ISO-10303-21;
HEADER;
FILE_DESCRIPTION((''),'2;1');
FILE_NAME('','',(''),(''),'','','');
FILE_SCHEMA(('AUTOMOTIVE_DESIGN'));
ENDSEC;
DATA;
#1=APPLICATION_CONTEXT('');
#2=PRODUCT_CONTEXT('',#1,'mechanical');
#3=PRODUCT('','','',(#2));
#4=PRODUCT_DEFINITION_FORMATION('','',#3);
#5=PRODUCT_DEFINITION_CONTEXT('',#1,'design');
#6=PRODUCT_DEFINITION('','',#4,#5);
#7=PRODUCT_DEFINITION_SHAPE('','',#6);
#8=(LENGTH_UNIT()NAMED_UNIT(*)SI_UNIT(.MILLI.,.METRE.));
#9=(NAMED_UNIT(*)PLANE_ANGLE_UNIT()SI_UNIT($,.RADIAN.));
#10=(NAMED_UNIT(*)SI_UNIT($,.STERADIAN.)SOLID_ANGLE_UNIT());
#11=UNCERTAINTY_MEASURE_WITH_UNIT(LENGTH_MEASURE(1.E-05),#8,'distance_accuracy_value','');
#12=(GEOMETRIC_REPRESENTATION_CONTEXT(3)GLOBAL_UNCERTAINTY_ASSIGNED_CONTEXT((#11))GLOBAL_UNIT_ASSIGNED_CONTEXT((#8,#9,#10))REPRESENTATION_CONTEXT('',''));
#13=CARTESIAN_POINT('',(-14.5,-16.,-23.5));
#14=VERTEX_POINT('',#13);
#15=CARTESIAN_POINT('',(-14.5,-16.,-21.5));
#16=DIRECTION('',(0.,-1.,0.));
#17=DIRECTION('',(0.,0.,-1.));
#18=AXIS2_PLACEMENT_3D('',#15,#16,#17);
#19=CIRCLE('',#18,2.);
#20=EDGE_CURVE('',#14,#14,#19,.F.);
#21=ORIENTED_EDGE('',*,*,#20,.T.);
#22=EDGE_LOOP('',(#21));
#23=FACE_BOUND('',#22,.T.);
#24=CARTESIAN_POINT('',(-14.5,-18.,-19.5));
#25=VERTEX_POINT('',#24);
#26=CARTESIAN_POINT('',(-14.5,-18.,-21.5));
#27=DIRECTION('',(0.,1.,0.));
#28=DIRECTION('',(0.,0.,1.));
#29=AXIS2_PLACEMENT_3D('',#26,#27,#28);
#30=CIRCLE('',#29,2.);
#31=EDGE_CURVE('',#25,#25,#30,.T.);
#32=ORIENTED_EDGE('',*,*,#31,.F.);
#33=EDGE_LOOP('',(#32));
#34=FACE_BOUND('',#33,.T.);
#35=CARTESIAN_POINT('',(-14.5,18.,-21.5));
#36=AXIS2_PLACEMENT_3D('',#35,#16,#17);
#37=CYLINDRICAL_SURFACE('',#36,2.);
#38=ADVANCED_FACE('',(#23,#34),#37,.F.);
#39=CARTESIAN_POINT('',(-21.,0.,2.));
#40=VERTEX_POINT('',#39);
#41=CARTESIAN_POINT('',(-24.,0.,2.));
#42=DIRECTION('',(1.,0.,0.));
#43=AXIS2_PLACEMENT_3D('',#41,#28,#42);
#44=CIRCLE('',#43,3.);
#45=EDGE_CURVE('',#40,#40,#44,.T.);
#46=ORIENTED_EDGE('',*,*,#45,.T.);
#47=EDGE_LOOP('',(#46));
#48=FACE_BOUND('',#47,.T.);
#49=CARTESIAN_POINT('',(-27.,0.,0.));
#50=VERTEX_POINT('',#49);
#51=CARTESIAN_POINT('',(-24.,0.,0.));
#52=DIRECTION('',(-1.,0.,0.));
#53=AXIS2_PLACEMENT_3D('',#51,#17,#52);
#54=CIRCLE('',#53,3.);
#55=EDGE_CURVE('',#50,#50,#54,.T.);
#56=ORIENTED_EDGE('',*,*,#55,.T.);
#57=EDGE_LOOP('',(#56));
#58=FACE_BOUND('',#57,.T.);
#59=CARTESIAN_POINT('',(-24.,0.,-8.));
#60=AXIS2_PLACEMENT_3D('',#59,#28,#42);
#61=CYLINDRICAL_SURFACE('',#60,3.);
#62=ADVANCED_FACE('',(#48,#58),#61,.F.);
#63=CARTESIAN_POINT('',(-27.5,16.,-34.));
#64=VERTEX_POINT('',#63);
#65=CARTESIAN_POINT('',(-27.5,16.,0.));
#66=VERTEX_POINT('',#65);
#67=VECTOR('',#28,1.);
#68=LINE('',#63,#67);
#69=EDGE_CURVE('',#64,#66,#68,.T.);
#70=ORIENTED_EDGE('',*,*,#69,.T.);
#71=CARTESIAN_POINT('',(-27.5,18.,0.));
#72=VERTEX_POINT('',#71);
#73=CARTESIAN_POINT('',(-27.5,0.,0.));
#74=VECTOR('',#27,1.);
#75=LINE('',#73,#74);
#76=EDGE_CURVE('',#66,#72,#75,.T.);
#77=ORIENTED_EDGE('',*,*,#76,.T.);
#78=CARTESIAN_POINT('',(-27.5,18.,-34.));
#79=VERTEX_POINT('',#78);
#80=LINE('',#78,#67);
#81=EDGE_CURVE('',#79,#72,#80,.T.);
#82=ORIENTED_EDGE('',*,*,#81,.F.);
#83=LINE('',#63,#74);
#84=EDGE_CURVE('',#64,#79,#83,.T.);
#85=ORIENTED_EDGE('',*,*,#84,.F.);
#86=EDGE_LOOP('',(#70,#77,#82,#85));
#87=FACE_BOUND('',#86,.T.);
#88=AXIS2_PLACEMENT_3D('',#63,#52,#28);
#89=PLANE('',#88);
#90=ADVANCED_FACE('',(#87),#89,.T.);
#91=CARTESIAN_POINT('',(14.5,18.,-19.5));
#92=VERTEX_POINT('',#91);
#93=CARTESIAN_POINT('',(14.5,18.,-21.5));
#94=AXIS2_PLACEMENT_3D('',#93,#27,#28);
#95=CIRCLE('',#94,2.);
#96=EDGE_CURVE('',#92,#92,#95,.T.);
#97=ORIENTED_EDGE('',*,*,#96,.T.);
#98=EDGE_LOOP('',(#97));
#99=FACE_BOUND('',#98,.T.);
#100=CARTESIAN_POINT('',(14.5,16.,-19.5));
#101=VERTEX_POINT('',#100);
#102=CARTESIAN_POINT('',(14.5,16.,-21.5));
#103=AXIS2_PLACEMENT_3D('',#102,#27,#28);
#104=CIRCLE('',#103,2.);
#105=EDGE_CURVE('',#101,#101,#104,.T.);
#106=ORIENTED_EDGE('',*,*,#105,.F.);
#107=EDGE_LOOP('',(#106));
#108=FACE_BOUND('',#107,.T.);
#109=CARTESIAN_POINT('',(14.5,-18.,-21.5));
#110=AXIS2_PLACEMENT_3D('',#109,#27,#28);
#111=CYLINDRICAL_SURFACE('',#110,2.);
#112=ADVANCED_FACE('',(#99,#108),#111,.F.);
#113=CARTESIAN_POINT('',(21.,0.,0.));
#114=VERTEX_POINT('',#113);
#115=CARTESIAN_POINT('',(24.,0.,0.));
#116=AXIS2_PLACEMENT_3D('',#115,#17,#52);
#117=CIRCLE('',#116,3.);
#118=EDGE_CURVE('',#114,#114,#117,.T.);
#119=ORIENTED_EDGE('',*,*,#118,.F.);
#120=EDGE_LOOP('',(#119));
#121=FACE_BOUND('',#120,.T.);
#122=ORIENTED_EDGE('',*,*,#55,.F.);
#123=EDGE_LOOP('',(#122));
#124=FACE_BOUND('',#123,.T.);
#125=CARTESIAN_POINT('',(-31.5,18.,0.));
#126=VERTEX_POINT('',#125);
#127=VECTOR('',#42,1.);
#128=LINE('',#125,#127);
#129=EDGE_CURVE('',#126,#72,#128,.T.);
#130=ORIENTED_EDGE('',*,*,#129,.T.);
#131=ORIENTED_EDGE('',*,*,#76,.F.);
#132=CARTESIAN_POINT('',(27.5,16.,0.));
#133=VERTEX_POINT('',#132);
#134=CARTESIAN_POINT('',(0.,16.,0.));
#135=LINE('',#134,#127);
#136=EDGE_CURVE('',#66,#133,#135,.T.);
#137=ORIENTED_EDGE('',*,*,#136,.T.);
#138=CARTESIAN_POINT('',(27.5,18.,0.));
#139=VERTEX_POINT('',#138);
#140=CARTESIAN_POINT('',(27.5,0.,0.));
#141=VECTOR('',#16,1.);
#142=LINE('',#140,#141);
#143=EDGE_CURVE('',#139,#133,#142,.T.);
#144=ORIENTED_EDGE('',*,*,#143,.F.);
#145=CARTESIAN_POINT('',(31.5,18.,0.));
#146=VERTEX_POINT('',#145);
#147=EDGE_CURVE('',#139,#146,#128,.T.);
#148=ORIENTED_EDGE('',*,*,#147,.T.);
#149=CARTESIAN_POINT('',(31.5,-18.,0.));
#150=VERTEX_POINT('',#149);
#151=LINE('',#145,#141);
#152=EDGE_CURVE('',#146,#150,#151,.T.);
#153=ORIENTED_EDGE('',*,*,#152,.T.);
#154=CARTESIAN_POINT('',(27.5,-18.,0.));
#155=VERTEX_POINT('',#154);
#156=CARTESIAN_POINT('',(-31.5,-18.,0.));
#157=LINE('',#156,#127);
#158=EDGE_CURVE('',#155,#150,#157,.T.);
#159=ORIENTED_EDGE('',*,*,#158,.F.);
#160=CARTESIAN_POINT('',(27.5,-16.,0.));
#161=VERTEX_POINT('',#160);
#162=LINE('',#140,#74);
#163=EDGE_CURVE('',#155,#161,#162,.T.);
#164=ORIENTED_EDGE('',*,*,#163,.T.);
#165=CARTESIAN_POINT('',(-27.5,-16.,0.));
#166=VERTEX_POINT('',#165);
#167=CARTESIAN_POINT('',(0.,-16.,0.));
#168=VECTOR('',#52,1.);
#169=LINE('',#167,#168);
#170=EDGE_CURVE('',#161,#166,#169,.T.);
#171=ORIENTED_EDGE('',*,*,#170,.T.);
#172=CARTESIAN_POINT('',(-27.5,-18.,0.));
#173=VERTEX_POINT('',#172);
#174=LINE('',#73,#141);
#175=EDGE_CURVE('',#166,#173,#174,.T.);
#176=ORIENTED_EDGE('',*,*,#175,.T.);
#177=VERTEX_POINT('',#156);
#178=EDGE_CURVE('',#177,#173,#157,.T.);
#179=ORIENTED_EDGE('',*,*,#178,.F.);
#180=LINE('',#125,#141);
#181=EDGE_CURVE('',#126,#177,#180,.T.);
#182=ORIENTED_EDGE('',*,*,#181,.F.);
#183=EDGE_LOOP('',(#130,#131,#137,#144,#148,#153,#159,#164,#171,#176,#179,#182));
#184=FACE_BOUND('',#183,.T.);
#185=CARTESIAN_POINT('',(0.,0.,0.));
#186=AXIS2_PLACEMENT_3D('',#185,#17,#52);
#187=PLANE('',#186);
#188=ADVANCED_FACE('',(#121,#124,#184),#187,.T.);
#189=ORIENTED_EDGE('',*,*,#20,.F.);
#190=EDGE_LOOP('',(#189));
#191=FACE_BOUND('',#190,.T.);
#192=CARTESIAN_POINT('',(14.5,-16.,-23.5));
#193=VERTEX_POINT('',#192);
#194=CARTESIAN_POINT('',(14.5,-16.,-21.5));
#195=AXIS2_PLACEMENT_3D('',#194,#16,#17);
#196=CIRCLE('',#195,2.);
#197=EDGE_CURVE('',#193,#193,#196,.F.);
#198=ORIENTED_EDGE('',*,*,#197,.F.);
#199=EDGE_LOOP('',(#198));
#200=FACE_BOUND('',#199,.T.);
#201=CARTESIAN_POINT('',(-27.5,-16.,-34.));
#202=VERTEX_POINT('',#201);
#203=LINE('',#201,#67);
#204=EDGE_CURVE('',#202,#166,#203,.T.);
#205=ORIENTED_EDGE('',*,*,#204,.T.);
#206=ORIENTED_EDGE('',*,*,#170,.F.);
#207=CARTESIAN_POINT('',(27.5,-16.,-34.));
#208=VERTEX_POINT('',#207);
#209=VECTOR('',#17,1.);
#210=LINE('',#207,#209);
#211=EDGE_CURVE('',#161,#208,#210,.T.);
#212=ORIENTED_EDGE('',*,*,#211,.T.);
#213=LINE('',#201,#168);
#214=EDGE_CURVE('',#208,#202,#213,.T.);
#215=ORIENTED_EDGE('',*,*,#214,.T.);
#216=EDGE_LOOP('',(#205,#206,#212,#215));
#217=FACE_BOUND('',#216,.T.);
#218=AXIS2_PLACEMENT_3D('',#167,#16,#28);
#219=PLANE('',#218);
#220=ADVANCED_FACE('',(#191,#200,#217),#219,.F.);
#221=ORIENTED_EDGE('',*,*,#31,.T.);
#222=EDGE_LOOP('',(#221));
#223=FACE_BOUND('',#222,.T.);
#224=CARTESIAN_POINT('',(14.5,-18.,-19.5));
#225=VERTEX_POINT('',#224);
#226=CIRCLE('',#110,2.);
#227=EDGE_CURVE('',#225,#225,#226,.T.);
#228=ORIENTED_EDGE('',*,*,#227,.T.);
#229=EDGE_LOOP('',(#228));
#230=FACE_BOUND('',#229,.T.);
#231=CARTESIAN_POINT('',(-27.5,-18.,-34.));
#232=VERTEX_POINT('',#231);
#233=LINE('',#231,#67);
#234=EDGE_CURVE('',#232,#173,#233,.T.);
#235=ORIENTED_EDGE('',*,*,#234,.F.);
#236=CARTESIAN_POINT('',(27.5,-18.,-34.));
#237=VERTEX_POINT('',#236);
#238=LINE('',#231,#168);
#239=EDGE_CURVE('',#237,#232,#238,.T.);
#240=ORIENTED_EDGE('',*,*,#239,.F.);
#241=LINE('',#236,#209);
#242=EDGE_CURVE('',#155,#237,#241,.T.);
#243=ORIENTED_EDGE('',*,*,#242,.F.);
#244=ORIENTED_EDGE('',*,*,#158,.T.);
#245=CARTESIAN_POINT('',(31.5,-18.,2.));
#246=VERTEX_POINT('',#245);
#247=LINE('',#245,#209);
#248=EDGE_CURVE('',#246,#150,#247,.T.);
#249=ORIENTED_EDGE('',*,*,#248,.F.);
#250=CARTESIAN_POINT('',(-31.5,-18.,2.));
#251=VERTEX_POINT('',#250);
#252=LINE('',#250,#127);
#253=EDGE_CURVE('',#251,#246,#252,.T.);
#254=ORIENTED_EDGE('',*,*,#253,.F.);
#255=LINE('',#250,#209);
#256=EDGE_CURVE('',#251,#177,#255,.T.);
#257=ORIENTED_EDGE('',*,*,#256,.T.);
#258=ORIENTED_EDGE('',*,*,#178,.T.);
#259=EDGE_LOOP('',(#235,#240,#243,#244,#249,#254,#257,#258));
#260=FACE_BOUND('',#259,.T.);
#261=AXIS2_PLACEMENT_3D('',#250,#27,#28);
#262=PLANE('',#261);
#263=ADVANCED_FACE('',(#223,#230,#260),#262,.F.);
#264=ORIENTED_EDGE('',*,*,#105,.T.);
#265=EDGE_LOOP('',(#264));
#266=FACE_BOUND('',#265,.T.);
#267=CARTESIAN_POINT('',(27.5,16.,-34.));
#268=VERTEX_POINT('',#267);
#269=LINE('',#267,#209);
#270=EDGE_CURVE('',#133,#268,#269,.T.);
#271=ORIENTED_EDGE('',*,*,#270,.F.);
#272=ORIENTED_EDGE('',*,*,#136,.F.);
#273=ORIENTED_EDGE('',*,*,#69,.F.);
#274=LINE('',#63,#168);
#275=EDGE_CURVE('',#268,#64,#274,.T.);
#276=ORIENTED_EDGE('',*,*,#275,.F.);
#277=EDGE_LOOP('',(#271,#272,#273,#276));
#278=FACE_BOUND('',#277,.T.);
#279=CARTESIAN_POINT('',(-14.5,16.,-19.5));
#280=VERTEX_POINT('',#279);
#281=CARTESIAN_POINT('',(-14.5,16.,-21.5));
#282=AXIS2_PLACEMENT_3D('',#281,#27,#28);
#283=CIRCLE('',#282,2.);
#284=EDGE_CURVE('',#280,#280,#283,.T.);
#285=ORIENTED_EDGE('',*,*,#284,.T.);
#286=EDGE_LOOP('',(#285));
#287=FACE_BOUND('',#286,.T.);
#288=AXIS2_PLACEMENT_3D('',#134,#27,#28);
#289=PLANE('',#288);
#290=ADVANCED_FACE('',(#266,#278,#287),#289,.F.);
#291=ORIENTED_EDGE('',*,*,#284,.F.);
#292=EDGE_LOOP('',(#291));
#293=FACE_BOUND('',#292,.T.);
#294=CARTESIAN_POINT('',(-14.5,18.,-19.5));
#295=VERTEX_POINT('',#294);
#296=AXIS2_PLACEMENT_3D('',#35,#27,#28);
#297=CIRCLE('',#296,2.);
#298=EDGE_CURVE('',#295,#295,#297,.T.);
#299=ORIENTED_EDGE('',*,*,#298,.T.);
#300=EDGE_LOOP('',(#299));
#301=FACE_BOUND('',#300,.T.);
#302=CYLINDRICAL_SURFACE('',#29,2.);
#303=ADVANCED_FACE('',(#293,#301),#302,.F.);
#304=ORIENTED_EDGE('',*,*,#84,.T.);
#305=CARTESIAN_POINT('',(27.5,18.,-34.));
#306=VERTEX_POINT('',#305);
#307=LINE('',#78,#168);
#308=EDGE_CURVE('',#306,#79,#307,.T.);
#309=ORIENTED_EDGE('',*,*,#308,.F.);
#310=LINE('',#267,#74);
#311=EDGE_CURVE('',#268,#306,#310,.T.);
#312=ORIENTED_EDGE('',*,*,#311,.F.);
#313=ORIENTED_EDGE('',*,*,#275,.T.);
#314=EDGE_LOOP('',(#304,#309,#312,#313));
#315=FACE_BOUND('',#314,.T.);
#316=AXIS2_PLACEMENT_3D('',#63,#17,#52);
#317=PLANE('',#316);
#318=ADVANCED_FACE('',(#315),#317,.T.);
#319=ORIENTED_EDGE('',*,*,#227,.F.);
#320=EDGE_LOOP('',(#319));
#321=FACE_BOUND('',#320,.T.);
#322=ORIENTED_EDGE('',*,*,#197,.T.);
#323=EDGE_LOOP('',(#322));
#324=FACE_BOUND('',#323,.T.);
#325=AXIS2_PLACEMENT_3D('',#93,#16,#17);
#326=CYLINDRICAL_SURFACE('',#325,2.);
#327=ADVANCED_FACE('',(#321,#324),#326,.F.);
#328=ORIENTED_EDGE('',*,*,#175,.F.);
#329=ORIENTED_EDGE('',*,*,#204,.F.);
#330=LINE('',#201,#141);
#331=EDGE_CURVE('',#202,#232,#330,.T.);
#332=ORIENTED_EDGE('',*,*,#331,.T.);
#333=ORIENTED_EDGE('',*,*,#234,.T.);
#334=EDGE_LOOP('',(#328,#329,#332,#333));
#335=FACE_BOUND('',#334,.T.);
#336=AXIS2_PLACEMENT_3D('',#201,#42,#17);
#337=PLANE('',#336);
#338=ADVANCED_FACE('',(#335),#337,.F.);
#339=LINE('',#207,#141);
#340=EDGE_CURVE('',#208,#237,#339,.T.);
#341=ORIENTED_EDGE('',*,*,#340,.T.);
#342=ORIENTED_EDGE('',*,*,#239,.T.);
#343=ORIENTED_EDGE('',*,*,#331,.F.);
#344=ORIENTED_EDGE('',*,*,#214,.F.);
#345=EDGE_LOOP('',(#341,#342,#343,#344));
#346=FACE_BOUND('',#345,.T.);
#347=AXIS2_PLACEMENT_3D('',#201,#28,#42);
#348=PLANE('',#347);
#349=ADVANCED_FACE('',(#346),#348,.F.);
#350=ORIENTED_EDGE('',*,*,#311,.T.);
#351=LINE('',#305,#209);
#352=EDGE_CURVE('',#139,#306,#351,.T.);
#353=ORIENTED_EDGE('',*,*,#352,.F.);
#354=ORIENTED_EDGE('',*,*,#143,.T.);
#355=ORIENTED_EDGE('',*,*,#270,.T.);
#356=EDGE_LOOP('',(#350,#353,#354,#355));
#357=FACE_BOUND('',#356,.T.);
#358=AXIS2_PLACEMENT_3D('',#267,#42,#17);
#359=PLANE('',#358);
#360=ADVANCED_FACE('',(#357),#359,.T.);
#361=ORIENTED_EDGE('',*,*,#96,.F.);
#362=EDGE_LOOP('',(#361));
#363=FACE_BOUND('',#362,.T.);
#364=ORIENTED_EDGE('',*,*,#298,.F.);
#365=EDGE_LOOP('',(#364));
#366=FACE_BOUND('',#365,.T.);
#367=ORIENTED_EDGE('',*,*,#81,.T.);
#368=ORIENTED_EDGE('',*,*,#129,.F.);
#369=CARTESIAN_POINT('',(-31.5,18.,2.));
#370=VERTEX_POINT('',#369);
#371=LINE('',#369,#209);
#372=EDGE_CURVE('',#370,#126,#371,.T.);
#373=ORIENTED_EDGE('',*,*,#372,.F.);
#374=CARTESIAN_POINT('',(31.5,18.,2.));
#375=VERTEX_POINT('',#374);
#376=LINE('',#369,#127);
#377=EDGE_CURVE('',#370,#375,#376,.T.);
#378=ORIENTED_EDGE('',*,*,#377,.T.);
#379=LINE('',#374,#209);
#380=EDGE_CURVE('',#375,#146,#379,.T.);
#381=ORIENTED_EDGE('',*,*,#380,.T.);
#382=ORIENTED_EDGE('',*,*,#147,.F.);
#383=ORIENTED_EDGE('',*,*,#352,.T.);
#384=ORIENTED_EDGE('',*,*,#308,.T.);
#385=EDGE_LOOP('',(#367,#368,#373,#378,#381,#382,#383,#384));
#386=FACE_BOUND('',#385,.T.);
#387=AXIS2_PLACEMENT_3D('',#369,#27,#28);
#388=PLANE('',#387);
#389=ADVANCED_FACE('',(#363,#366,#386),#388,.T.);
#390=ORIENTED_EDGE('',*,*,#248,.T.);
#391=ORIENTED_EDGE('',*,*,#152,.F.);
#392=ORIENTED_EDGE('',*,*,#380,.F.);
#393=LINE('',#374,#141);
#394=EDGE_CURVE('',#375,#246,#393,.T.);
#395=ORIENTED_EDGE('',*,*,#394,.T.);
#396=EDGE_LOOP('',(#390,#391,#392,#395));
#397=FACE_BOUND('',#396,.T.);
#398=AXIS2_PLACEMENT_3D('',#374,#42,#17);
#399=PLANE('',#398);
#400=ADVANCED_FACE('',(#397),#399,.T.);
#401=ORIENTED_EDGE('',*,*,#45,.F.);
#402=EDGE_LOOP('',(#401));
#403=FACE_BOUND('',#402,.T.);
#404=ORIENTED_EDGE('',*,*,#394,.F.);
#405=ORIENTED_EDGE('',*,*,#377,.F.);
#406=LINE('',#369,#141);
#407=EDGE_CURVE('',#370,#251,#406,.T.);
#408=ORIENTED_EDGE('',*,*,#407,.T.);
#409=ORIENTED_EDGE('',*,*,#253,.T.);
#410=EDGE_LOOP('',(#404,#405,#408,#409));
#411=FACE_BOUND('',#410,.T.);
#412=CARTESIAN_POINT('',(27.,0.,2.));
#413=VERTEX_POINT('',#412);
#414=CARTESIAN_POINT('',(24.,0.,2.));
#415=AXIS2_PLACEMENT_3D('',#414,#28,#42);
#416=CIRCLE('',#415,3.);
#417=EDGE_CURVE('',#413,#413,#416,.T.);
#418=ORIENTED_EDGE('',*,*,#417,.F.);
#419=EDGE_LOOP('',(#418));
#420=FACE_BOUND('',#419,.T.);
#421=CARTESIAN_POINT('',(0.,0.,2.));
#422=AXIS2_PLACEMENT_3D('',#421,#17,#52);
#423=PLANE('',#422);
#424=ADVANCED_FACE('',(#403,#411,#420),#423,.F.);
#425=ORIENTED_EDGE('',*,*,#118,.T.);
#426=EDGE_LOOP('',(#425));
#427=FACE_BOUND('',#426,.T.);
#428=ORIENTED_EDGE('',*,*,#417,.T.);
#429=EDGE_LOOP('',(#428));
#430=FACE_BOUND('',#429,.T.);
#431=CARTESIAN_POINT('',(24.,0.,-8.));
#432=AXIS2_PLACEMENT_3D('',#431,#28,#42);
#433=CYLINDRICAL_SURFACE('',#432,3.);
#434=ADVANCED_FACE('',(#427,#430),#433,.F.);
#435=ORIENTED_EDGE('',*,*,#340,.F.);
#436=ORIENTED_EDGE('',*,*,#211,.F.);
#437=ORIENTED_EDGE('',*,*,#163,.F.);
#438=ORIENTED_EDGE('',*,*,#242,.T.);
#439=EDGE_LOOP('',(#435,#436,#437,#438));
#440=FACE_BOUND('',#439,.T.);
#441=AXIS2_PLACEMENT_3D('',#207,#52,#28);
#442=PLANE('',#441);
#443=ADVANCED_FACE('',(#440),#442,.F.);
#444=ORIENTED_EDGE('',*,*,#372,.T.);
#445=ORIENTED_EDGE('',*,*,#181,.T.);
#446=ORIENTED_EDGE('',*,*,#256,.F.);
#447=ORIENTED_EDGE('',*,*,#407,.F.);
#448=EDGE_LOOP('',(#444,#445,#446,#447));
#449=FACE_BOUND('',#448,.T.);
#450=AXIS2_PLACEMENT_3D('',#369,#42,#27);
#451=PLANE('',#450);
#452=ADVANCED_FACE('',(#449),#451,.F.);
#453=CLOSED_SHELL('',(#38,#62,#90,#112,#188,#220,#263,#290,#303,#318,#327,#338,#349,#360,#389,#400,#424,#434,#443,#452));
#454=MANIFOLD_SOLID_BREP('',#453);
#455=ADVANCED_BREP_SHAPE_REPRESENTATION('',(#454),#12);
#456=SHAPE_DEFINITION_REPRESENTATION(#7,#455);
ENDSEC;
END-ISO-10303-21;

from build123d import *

# Parameters (mm, degrees)
SKETCH_1_W          = 63
SKETCH_1_H          = 36
EXTRUDE_1_DEPTH     = 2
SKETCH_2_R          = 3
CUT_EXTRUDE_1_DEPTH = 10
SKETCH_4_W          = 55
SKETCH_4_H          = 36
EXTRUDE_2_DEPTH     = 2
SKETCH_5_R          = 2
CUT_EXTRUDE_2_DEPTH = 37


with BuildPart() as part:
    # 草图1 → 凸台-拉伸1 (new body)
    with BuildSketch(Plane.XY):
        Rectangle(SKETCH_1_W, SKETCH_1_H)
    extrude(amount=EXTRUDE_1_DEPTH)

    # 草图2 → 切除-拉伸1 (cut)
    with BuildSketch(Plane.XY.offset(2)):
        with Locations((-24, 0)):
            Circle(SKETCH_2_R)
        with Locations((24, 0)):
            Circle(SKETCH_2_R)
    extrude(amount=-CUT_EXTRUDE_1_DEPTH, mode=Mode.SUBTRACT)

    # 草图4 → 凸台-拉伸2 (add)
    with BuildSketch(Plane(origin=(0, 18, 0), x_dir=(1, 0, 0), z_dir=(0, 1, 0))):
        with Locations((0, 16)):
            Rectangle(SKETCH_4_W, SKETCH_4_H)
    extrude_2 = extrude(amount=-EXTRUDE_2_DEPTH)

    # 草图5 → 切除-拉伸2 (cut, through all)
    with BuildSketch(Plane(origin=(0, 18, 0), x_dir=(1, 0, 0), z_dir=(0, 1, 0))):
        with Locations((-14.5, 21.5)):
            Circle(SKETCH_5_R)
        with Locations((14.5, 21.5)):
            Circle(SKETCH_5_R)
    cut_extrude_2 = extrude(amount=-CUT_EXTRUDE_2_DEPTH, mode=Mode.SUBTRACT)

    # 镜向1: 凸台-拉伸2, 切除-拉伸2 across plane
    add(extrude_2.mirror(Plane.ZX))
    add(cut_extrude_2.mirror(Plane.ZX), mode=Mode.SUBTRACT)


solid = part.part
